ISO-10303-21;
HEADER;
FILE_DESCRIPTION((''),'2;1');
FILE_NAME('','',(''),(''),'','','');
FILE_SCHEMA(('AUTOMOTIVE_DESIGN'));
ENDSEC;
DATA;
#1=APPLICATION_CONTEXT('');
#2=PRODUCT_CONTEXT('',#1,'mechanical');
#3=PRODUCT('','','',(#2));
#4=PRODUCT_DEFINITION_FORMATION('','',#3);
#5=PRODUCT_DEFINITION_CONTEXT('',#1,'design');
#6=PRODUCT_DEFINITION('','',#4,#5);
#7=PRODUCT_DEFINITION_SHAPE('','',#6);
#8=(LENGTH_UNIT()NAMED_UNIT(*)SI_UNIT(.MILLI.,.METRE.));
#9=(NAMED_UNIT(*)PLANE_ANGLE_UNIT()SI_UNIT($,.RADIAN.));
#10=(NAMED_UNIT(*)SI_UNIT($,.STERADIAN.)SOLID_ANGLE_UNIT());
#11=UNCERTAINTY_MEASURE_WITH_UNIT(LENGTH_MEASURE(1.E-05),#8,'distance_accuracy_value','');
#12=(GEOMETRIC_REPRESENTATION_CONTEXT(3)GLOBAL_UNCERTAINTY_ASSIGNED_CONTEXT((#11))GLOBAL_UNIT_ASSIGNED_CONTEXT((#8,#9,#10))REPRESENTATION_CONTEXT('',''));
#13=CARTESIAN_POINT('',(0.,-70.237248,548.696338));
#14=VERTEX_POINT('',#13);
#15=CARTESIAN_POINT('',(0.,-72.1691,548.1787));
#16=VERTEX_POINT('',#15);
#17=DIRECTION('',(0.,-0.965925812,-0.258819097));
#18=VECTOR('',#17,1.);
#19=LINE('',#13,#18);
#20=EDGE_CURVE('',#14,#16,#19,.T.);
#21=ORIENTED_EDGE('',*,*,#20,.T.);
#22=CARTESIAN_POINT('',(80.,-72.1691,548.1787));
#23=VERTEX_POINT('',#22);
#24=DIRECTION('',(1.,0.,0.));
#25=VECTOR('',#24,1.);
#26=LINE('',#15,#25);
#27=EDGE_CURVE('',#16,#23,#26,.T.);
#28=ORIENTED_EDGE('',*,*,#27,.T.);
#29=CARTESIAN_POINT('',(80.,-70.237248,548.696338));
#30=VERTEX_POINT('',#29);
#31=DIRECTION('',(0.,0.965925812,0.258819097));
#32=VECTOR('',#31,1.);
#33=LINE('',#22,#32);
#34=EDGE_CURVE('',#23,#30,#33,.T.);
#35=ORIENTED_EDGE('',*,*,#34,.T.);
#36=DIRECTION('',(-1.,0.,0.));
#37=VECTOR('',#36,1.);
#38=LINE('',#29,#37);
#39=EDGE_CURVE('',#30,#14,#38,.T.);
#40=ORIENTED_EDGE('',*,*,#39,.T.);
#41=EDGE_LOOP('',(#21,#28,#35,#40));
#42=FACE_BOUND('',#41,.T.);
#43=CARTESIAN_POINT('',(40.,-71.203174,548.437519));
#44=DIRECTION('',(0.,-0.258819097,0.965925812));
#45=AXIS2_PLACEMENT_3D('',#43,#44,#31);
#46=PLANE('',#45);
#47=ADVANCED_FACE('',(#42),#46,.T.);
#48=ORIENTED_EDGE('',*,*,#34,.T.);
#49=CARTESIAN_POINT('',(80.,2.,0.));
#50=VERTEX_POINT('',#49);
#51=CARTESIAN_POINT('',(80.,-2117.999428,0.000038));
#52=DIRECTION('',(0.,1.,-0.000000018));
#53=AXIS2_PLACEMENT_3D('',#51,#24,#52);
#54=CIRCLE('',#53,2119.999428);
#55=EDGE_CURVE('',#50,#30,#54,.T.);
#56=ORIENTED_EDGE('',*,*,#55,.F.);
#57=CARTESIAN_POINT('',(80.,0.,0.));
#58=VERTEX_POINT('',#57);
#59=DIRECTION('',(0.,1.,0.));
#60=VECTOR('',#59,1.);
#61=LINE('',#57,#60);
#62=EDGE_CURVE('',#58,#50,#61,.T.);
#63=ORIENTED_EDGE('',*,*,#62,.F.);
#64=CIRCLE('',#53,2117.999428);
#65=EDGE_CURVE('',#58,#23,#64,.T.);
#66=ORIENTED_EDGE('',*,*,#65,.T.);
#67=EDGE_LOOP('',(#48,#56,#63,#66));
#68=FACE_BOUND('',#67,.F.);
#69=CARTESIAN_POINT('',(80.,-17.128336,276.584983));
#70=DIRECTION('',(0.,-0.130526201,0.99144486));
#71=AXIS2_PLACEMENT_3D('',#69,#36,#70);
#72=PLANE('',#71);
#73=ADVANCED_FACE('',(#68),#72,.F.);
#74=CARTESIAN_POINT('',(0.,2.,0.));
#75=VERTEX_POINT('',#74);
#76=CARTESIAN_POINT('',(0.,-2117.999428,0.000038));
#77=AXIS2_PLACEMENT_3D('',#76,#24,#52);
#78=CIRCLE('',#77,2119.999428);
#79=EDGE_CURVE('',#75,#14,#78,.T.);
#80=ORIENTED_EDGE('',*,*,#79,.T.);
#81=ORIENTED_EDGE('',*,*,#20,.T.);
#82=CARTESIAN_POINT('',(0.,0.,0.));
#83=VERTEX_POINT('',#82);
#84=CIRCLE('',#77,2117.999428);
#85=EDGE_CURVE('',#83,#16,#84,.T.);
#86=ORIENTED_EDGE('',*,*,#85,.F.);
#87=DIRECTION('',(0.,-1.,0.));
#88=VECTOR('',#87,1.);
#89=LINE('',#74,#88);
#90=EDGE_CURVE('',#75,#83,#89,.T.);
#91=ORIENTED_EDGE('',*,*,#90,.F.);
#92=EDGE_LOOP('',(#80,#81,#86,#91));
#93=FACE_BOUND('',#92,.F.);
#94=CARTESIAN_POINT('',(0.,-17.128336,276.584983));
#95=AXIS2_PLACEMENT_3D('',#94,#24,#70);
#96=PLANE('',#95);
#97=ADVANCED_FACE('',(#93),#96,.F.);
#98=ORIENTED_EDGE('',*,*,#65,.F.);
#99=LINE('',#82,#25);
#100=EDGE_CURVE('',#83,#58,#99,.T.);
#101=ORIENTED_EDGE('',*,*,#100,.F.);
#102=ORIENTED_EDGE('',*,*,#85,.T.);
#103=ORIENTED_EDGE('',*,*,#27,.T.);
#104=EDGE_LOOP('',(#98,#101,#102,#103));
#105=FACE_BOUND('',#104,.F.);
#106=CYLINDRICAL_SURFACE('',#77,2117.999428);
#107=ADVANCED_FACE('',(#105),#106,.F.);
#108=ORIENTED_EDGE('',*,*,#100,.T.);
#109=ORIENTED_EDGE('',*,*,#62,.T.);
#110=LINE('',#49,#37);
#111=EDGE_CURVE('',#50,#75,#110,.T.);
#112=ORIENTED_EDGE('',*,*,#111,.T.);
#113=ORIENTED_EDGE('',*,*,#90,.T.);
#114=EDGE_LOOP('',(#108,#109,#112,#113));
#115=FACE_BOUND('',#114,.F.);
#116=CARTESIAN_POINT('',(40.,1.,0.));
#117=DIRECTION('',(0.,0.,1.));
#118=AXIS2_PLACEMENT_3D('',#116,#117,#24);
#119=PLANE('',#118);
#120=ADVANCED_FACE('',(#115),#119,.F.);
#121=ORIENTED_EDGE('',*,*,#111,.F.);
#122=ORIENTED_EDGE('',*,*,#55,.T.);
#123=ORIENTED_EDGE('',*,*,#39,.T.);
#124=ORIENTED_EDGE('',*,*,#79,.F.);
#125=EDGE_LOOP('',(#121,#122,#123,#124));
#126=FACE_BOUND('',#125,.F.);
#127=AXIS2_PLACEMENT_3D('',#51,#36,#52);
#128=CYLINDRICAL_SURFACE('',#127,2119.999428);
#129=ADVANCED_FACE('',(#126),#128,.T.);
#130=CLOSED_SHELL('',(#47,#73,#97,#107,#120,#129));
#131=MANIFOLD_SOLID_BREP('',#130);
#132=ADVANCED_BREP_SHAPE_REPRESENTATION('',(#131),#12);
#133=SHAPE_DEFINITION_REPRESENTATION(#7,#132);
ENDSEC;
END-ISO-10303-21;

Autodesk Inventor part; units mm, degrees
ref_plane "YZ Plane" through (0, 0, 0) normal (1, 0, 0) x (0, 1, 0)
ref_plane "XZ Plane" through (0, 0, 0) normal (0, 1, 0) x (-1, 0, 0)
ref_plane "XY Plane" through (0, 0, 0) normal (0, 0, 1) x (1, 0, 0)
sketch "Sketch1" plane through (0, 0, 0) normal (0, 0, 1) x (1, 0, 0)
  line L0 (0, 0) -> (80, 0)
  line L1 (80, 0) -> (80, 2)
  line L2 (80, 2) -> (0, 2)
  line L3 (0, 2) -> (0, 0)
  dimension "d0" = 80
  dimension "d1" = 2
sketch "Sketch2" plane through (0, 0, 0) normal (1, 0, 0) x (0, 1, 0)
  line L0 (0, 0) -> (-2118, 0) construction
  arc A0 (0, 0) -> (-72.1691, 548.1787) centre (-2118, 0) ccw
  line L1 (-2118, 0) -> (-72.1691, 548.1787) construction
  line L2 (-2118, 0) -> (0, 0) construction
  dimension "d2" = 2118
  dimension "d3" = 15
sweep "Sweep1" add profiles "Sketch1" path "Sketch2"
properties part number "Doubler Plate" material "Aluminum 6061"
